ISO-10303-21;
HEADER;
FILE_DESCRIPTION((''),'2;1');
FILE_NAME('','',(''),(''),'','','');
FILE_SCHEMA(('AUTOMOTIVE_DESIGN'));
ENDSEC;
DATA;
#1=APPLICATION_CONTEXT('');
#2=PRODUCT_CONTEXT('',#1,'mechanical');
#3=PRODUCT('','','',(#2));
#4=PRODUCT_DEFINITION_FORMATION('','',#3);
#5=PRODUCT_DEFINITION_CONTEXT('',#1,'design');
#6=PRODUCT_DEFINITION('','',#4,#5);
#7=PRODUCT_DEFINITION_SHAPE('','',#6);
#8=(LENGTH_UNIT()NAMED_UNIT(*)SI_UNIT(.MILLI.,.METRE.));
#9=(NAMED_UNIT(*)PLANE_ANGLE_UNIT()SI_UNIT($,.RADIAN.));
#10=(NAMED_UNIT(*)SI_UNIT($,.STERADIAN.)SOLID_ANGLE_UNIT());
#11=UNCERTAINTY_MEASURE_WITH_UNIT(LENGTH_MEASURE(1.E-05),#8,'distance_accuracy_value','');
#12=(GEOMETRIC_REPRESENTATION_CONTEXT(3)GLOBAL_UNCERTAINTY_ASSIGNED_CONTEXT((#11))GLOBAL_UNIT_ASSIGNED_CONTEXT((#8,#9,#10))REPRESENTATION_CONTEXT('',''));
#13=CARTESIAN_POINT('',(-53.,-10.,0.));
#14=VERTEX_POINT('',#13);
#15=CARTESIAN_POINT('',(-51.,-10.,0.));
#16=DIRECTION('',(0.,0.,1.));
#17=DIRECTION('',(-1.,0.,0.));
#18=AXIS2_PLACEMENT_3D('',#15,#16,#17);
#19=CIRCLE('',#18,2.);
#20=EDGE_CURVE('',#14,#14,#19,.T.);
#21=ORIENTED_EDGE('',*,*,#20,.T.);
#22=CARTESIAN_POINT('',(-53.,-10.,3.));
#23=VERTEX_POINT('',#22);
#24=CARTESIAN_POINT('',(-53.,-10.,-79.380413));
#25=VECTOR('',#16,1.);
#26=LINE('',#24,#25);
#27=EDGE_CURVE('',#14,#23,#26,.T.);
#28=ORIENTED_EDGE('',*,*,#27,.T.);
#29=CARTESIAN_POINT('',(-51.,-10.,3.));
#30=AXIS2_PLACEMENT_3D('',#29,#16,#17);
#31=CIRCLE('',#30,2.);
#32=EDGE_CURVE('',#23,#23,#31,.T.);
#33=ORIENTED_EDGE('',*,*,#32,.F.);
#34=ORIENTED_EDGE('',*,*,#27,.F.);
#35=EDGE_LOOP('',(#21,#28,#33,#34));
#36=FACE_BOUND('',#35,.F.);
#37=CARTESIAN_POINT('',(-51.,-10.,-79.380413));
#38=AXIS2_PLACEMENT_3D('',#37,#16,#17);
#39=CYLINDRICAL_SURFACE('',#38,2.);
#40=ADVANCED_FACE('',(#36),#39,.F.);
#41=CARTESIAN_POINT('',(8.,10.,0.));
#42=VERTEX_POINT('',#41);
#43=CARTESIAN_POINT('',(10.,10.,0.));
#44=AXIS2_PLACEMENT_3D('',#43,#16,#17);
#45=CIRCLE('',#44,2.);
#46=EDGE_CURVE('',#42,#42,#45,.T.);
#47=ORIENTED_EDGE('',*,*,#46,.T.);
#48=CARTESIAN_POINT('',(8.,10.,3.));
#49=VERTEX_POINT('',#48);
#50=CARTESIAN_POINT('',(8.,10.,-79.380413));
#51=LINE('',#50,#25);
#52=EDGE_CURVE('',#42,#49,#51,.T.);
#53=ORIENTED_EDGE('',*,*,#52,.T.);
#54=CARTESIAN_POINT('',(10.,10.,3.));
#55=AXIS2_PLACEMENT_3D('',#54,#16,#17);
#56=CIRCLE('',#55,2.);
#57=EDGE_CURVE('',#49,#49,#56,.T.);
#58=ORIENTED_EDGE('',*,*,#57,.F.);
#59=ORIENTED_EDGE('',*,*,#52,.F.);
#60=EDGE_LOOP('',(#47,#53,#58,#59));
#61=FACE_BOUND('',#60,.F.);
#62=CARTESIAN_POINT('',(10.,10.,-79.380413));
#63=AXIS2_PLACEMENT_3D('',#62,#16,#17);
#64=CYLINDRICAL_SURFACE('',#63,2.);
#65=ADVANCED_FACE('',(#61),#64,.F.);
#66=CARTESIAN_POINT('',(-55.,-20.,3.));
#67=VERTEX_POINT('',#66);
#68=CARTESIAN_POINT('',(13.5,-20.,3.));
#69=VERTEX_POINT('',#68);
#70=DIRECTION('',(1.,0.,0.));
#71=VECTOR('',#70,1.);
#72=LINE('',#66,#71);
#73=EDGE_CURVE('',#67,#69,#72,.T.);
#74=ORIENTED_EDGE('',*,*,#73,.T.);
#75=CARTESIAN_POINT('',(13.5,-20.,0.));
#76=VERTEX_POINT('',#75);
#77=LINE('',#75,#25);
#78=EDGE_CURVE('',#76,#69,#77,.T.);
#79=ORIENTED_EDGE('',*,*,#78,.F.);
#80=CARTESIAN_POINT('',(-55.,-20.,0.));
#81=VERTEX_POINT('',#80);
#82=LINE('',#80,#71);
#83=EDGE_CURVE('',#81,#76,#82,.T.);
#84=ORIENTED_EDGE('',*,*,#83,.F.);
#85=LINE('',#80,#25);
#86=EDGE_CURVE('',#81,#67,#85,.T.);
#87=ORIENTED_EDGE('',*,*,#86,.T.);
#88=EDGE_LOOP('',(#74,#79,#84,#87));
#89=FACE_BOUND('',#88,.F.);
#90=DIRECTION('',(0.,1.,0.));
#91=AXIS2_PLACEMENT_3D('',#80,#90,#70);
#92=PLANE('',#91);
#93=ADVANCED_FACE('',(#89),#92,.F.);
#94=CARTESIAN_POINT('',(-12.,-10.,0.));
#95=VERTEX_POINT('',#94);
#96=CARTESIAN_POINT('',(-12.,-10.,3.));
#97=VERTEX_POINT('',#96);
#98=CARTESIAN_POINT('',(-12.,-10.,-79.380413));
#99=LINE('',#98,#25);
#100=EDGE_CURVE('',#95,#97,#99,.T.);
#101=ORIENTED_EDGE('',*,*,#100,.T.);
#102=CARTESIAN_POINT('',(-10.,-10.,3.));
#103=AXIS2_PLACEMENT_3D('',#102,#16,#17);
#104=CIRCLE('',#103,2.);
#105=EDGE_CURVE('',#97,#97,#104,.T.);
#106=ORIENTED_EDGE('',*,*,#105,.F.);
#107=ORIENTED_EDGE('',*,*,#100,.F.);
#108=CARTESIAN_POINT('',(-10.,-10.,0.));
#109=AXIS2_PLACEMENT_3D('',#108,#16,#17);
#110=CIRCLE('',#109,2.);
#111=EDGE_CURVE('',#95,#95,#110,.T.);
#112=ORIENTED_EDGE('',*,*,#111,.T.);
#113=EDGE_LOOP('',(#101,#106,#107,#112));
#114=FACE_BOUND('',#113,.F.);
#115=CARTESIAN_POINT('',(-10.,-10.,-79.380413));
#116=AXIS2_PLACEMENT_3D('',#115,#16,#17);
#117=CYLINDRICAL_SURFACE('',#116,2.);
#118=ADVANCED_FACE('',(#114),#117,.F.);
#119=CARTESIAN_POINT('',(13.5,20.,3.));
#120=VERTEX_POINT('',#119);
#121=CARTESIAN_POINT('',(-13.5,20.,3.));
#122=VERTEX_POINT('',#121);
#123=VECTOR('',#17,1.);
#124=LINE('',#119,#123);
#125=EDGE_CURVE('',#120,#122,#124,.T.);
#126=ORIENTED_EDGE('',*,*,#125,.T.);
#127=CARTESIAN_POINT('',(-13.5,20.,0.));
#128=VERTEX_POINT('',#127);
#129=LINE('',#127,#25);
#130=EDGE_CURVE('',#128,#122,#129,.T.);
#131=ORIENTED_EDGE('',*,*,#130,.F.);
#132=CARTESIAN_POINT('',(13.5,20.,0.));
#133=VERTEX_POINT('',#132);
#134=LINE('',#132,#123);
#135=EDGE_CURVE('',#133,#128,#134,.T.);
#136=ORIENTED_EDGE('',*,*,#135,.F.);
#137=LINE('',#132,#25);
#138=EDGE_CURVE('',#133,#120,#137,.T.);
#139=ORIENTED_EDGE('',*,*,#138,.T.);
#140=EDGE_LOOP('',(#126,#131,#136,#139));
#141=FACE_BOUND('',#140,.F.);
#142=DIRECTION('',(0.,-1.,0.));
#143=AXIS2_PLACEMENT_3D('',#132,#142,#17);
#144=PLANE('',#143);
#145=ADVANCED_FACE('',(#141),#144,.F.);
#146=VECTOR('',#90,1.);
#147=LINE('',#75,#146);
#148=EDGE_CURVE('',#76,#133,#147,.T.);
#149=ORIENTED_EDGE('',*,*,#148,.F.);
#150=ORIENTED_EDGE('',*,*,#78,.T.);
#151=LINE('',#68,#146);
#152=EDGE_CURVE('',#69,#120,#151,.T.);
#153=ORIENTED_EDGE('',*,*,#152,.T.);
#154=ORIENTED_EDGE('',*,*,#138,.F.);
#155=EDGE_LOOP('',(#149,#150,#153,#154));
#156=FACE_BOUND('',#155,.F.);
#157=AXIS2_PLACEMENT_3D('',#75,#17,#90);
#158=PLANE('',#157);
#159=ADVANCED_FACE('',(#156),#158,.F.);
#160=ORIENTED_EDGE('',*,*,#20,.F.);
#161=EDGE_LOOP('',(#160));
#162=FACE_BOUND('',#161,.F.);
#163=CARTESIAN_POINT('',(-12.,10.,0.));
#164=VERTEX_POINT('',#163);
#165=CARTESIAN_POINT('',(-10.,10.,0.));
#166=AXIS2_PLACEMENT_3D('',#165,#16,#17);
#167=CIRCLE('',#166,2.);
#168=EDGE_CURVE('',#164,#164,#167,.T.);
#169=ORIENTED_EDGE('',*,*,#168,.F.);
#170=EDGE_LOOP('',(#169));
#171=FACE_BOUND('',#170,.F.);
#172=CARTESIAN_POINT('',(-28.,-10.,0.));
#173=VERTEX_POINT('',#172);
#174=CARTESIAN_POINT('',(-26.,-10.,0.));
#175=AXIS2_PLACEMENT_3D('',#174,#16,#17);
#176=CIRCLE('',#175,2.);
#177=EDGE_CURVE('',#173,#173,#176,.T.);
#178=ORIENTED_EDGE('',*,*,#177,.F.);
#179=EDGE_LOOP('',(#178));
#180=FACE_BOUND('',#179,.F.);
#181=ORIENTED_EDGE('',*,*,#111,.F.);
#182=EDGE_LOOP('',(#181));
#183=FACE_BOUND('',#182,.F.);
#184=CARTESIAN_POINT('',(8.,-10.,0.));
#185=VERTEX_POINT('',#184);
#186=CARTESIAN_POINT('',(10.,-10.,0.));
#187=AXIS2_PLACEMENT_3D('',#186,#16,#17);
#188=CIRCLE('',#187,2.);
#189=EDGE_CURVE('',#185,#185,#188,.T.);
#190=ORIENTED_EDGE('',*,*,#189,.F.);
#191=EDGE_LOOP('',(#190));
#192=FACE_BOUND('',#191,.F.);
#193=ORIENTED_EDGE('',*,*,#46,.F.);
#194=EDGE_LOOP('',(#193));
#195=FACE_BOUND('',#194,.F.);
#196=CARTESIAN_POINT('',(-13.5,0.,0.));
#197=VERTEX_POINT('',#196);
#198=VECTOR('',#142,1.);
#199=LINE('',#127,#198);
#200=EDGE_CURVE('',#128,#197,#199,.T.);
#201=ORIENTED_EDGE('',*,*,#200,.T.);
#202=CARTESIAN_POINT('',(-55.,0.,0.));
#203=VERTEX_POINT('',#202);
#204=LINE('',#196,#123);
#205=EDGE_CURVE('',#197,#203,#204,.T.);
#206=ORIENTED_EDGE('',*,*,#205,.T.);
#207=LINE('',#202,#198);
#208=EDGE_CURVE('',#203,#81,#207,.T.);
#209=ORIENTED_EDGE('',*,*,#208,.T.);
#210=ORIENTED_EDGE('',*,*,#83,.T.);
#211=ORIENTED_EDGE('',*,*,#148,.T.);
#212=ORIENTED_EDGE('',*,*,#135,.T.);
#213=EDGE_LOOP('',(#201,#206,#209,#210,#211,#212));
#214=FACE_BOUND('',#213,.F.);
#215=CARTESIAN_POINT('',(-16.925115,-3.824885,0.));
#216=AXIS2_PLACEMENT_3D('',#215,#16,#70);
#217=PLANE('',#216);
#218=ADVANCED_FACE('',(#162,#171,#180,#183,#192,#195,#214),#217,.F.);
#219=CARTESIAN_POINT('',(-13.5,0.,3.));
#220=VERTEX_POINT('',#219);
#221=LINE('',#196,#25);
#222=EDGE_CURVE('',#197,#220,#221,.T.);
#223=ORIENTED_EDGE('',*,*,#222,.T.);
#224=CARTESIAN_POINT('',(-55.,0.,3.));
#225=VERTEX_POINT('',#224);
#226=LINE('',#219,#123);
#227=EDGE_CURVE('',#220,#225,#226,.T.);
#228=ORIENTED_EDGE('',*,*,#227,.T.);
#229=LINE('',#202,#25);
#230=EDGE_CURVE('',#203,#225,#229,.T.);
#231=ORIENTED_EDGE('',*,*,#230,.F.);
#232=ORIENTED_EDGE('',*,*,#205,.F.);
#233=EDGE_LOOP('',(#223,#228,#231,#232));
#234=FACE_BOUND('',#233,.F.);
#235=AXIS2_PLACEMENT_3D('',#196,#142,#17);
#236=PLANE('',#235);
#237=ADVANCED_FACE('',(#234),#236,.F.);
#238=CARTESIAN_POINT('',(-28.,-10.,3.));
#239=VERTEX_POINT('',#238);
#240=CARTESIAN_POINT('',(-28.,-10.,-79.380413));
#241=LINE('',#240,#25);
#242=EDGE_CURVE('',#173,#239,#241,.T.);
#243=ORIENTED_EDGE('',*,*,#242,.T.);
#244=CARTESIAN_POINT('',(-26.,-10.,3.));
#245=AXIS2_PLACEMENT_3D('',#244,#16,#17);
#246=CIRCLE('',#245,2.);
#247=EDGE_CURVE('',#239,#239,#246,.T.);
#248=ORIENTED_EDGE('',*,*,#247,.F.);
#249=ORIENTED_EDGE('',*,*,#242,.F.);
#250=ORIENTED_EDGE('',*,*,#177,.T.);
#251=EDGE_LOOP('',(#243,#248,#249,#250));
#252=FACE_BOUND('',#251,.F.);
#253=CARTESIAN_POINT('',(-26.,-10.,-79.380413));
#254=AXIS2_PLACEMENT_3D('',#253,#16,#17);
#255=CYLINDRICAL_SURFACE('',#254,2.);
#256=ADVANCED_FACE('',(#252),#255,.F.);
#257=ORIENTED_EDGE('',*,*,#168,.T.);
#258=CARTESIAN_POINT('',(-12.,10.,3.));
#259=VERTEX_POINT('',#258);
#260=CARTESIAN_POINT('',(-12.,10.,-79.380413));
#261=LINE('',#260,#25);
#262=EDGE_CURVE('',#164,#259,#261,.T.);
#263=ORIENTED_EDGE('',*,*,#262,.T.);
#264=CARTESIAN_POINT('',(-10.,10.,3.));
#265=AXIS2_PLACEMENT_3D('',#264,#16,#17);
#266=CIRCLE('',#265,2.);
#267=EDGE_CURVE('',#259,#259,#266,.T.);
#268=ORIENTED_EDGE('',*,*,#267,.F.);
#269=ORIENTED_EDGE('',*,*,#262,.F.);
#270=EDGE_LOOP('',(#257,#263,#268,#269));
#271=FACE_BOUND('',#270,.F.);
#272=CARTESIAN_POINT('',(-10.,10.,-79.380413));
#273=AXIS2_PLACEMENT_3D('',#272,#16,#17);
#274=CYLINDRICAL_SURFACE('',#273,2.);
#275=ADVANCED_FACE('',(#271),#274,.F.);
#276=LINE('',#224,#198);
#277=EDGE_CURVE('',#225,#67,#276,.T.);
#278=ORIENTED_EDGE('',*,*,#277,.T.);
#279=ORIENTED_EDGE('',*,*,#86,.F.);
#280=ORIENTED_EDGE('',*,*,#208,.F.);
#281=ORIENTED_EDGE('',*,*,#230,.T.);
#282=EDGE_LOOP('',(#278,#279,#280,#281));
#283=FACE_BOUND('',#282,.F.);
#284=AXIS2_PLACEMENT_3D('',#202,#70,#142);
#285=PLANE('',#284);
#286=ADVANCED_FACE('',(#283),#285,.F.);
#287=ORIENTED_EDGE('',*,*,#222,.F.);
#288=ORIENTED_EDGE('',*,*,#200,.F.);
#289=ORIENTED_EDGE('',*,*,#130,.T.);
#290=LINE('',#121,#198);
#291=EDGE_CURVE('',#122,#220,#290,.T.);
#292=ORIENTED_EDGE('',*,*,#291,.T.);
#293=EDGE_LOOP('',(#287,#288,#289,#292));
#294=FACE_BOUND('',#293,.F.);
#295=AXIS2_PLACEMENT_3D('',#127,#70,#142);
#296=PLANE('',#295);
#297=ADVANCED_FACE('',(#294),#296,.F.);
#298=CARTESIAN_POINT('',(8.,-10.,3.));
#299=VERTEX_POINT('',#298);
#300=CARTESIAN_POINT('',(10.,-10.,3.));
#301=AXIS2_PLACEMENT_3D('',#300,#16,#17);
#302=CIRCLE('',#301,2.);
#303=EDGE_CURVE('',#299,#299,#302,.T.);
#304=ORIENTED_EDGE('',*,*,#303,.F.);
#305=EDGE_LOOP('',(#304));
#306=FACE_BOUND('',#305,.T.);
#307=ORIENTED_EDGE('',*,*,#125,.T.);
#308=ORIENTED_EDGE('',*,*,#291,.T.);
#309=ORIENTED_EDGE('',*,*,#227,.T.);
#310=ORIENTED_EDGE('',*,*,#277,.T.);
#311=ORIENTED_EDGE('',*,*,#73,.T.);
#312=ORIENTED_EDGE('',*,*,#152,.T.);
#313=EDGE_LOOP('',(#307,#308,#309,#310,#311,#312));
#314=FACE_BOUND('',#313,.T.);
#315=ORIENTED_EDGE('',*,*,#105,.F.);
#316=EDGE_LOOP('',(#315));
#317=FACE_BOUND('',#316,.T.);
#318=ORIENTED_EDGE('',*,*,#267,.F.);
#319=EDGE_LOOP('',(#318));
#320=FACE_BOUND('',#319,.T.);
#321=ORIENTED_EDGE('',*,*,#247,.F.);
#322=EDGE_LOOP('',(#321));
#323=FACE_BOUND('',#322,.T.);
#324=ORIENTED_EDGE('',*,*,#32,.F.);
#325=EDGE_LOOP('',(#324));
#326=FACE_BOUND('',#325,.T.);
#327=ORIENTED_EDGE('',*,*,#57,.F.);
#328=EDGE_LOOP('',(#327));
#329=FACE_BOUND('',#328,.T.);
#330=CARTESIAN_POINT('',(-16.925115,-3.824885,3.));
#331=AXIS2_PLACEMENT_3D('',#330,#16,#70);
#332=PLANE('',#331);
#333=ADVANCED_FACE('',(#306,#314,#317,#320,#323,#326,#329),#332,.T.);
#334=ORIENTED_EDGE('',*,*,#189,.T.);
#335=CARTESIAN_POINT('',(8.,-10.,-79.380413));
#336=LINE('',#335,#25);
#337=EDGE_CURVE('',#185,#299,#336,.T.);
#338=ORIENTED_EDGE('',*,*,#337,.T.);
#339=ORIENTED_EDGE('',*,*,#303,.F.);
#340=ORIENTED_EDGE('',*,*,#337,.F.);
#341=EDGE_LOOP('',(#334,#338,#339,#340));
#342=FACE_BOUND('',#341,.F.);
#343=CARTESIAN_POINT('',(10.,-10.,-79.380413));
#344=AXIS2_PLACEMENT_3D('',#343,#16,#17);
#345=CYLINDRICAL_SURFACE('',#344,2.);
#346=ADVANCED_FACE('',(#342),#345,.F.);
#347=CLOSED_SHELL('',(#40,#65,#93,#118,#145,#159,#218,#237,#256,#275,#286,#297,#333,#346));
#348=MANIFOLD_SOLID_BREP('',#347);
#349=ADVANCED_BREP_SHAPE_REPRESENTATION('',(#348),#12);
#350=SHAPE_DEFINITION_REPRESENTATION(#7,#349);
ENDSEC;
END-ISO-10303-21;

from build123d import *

# Parameters (mm, degrees)
F1_DEPTH = 3
F2_D     = 4


with BuildPart() as f1:
    # F0 (on Top) → F1 (new body)
    with BuildSketch(Plane.XY):
        Polygon((-13.5, -20), (13.5, -20), (13.5, 20), (-13.5, 20), (-13.5, 0), (-55, 0), (-55, -4.7585600987), (-55, -20), align=None)
    extrude(amount=F1_DEPTH)

    # F2 (through all)
    with Locations(Plane(origin=(0, 0, 0), x_dir=(1, 0, 0), z_dir=(0, 0, -1))):
        with Locations((-51, 10), (-26, 10), (-10, 10), (10, -10), (10, 10), (-10, -10)):
            Hole(F2_D / 2)


solid = f1.part
